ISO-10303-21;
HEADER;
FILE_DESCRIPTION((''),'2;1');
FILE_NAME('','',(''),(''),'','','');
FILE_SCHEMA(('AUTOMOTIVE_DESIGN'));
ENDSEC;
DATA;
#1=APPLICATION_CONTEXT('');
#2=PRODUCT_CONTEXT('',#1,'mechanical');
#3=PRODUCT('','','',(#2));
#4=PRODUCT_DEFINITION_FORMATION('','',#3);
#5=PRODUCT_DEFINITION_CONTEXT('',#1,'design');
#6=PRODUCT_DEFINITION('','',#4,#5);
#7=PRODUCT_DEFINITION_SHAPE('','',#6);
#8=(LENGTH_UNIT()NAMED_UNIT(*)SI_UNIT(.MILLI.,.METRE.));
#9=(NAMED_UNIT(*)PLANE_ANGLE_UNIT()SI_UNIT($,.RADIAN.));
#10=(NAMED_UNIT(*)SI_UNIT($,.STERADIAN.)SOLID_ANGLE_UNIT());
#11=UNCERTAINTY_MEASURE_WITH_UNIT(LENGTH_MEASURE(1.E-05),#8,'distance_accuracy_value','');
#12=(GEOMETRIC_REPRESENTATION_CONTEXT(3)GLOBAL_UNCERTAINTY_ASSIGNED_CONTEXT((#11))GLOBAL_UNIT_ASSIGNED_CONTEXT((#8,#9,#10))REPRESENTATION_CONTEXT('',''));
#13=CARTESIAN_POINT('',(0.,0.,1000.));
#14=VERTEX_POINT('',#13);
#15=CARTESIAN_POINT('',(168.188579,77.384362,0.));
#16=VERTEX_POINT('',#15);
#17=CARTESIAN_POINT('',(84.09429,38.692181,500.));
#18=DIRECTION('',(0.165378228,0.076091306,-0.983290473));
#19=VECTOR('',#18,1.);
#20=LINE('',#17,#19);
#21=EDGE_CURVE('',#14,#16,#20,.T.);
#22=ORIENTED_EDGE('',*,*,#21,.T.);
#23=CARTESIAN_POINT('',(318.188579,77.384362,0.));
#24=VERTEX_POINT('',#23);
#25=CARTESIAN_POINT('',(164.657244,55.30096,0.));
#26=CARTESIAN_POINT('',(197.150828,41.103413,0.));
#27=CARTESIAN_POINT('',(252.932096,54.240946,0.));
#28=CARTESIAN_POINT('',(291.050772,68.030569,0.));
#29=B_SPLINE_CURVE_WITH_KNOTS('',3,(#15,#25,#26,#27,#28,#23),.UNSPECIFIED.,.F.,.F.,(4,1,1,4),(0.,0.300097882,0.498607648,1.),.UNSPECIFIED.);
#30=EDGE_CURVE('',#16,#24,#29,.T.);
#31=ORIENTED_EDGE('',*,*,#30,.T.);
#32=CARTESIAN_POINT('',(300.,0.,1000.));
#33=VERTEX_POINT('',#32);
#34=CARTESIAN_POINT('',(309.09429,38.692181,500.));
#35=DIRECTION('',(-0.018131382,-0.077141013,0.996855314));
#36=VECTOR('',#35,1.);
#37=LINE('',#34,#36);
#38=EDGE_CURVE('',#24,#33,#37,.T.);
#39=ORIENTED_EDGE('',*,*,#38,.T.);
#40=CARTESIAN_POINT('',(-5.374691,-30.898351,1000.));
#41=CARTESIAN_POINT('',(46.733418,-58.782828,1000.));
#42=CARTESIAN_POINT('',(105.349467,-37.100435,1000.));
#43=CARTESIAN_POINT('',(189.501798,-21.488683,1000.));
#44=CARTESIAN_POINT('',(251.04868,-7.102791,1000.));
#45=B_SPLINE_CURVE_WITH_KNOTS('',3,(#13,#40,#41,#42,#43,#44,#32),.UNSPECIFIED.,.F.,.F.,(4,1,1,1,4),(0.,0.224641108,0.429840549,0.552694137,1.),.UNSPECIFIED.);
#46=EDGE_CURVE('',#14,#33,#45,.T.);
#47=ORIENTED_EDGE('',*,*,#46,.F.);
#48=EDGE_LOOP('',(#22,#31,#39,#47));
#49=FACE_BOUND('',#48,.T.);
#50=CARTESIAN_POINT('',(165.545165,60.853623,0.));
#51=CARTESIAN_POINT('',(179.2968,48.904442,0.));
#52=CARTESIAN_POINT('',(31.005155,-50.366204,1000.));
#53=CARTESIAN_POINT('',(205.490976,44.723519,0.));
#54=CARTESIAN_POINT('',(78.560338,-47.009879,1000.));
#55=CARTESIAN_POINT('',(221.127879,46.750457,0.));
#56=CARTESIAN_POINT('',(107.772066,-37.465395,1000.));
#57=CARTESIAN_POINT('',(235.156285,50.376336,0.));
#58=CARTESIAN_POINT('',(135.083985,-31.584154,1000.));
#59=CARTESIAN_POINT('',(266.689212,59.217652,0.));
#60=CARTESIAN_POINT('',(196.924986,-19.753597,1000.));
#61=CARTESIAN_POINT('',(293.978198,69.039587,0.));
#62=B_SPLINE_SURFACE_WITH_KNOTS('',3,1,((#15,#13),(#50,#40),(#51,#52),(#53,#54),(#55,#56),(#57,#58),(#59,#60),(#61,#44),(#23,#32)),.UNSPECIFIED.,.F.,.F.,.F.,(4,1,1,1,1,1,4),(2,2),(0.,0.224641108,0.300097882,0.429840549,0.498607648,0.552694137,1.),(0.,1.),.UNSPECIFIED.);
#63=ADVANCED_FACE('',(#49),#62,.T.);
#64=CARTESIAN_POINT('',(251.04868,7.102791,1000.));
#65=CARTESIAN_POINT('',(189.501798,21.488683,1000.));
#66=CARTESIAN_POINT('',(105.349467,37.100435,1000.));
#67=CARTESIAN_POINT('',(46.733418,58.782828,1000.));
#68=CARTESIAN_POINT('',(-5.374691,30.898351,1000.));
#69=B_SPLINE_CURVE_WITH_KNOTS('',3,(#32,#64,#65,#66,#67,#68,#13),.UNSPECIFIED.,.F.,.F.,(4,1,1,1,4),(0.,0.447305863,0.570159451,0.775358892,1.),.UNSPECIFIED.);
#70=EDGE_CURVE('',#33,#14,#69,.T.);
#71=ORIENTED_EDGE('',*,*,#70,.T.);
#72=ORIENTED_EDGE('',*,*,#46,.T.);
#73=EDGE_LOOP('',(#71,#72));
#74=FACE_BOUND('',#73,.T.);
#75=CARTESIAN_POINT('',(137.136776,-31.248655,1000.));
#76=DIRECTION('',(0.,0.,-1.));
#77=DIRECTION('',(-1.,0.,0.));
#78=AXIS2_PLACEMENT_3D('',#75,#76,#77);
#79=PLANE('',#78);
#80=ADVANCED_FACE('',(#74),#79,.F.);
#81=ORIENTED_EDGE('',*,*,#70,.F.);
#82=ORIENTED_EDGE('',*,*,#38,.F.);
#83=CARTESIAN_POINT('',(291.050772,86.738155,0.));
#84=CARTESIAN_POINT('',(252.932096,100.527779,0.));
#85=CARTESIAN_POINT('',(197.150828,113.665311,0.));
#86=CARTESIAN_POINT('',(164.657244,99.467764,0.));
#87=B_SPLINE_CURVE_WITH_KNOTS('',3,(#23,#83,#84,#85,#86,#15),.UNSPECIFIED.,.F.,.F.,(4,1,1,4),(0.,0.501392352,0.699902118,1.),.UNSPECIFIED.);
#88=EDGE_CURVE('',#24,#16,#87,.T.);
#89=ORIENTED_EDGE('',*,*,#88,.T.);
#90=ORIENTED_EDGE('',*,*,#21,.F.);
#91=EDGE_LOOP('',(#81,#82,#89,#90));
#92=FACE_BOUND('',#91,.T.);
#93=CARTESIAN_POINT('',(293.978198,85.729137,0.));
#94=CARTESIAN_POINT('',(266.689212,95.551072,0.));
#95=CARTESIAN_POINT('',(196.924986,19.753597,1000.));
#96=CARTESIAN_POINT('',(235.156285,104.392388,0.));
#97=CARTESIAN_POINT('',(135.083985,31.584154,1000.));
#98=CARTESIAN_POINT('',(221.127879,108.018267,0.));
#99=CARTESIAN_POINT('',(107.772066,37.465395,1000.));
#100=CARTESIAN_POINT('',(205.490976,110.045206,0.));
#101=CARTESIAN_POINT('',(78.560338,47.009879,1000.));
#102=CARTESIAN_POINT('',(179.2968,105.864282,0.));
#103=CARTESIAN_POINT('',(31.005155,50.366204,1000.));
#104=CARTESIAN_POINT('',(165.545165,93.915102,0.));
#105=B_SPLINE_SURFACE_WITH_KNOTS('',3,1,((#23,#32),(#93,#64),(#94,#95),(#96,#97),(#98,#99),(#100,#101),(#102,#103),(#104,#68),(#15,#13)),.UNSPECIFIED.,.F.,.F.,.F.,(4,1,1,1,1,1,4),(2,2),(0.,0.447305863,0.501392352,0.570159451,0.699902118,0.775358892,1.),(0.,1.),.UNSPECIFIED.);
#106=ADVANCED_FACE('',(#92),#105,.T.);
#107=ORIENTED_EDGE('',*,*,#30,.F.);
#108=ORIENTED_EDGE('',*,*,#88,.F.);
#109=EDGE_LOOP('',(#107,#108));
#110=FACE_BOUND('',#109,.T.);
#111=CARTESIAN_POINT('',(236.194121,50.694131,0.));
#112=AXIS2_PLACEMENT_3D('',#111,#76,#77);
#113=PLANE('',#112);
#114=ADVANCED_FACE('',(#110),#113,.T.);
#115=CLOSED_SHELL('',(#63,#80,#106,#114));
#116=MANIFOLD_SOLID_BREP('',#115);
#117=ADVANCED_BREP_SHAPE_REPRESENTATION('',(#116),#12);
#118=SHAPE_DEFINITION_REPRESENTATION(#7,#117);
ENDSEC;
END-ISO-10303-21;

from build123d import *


with BuildPart() as part:
    # Sketch2 → Loft1 section 0
    with BuildSketch(Plane.XY):
        with BuildLine():
            add(Edge.make_bspline(
                [(168.188579312, 77.384362157), (164.657243592, 99.467764369), (197.150828079, 113.665311422), (252.932096047, 100.527778681), (291.050772217, 86.738154927), (318.188579312, 77.384362157)],
                knots=[0, 0, 0, 0, 0.300097882, 0.498607648, 1, 1, 1, 1], degree=3))
            add(Edge.make_bspline(
                [(168.188579312, 77.384362157), (164.657243592, 55.300959944), (197.150828079, 41.103412892), (252.932096047, 54.240945633), (291.050772217, 68.030569387), (318.188579312, 77.384362157)],
                knots=[0, 0, 0, 0, 0.300097882, 0.498607648, 1, 1, 1, 1], degree=3))
        make_face()
    # Sketch1 → Loft1 section 1
    with BuildSketch(Plane.XY.offset(1000)):
        with BuildLine():
            add(Edge.make_bspline(
                [(0, 0), (-5.374691187, 30.89835065), (46.733417697, 58.782828285), (105.349466996, 37.100435312), (189.501798099, 21.488683268), (251.04867967, 7.102791391), (300, 0)],
                knots=[0, 0, 0, 0, 0.224641108, 0.429840549, 0.552694137, 1, 1, 1, 1], degree=3))
            add(Edge.make_bspline(
                [(0, 0), (-5.374691187, -30.89835065), (46.733417697, -58.782828285), (105.349466996, -37.100435312), (189.501798099, -21.488683268), (251.04867967, -7.102791391), (300, 0)],
                knots=[0, 0, 0, 0, 0.224641108, 0.429840549, 0.552694137, 1, 1, 1, 1], degree=3))
        make_face()
    loft()


solid = part.part
